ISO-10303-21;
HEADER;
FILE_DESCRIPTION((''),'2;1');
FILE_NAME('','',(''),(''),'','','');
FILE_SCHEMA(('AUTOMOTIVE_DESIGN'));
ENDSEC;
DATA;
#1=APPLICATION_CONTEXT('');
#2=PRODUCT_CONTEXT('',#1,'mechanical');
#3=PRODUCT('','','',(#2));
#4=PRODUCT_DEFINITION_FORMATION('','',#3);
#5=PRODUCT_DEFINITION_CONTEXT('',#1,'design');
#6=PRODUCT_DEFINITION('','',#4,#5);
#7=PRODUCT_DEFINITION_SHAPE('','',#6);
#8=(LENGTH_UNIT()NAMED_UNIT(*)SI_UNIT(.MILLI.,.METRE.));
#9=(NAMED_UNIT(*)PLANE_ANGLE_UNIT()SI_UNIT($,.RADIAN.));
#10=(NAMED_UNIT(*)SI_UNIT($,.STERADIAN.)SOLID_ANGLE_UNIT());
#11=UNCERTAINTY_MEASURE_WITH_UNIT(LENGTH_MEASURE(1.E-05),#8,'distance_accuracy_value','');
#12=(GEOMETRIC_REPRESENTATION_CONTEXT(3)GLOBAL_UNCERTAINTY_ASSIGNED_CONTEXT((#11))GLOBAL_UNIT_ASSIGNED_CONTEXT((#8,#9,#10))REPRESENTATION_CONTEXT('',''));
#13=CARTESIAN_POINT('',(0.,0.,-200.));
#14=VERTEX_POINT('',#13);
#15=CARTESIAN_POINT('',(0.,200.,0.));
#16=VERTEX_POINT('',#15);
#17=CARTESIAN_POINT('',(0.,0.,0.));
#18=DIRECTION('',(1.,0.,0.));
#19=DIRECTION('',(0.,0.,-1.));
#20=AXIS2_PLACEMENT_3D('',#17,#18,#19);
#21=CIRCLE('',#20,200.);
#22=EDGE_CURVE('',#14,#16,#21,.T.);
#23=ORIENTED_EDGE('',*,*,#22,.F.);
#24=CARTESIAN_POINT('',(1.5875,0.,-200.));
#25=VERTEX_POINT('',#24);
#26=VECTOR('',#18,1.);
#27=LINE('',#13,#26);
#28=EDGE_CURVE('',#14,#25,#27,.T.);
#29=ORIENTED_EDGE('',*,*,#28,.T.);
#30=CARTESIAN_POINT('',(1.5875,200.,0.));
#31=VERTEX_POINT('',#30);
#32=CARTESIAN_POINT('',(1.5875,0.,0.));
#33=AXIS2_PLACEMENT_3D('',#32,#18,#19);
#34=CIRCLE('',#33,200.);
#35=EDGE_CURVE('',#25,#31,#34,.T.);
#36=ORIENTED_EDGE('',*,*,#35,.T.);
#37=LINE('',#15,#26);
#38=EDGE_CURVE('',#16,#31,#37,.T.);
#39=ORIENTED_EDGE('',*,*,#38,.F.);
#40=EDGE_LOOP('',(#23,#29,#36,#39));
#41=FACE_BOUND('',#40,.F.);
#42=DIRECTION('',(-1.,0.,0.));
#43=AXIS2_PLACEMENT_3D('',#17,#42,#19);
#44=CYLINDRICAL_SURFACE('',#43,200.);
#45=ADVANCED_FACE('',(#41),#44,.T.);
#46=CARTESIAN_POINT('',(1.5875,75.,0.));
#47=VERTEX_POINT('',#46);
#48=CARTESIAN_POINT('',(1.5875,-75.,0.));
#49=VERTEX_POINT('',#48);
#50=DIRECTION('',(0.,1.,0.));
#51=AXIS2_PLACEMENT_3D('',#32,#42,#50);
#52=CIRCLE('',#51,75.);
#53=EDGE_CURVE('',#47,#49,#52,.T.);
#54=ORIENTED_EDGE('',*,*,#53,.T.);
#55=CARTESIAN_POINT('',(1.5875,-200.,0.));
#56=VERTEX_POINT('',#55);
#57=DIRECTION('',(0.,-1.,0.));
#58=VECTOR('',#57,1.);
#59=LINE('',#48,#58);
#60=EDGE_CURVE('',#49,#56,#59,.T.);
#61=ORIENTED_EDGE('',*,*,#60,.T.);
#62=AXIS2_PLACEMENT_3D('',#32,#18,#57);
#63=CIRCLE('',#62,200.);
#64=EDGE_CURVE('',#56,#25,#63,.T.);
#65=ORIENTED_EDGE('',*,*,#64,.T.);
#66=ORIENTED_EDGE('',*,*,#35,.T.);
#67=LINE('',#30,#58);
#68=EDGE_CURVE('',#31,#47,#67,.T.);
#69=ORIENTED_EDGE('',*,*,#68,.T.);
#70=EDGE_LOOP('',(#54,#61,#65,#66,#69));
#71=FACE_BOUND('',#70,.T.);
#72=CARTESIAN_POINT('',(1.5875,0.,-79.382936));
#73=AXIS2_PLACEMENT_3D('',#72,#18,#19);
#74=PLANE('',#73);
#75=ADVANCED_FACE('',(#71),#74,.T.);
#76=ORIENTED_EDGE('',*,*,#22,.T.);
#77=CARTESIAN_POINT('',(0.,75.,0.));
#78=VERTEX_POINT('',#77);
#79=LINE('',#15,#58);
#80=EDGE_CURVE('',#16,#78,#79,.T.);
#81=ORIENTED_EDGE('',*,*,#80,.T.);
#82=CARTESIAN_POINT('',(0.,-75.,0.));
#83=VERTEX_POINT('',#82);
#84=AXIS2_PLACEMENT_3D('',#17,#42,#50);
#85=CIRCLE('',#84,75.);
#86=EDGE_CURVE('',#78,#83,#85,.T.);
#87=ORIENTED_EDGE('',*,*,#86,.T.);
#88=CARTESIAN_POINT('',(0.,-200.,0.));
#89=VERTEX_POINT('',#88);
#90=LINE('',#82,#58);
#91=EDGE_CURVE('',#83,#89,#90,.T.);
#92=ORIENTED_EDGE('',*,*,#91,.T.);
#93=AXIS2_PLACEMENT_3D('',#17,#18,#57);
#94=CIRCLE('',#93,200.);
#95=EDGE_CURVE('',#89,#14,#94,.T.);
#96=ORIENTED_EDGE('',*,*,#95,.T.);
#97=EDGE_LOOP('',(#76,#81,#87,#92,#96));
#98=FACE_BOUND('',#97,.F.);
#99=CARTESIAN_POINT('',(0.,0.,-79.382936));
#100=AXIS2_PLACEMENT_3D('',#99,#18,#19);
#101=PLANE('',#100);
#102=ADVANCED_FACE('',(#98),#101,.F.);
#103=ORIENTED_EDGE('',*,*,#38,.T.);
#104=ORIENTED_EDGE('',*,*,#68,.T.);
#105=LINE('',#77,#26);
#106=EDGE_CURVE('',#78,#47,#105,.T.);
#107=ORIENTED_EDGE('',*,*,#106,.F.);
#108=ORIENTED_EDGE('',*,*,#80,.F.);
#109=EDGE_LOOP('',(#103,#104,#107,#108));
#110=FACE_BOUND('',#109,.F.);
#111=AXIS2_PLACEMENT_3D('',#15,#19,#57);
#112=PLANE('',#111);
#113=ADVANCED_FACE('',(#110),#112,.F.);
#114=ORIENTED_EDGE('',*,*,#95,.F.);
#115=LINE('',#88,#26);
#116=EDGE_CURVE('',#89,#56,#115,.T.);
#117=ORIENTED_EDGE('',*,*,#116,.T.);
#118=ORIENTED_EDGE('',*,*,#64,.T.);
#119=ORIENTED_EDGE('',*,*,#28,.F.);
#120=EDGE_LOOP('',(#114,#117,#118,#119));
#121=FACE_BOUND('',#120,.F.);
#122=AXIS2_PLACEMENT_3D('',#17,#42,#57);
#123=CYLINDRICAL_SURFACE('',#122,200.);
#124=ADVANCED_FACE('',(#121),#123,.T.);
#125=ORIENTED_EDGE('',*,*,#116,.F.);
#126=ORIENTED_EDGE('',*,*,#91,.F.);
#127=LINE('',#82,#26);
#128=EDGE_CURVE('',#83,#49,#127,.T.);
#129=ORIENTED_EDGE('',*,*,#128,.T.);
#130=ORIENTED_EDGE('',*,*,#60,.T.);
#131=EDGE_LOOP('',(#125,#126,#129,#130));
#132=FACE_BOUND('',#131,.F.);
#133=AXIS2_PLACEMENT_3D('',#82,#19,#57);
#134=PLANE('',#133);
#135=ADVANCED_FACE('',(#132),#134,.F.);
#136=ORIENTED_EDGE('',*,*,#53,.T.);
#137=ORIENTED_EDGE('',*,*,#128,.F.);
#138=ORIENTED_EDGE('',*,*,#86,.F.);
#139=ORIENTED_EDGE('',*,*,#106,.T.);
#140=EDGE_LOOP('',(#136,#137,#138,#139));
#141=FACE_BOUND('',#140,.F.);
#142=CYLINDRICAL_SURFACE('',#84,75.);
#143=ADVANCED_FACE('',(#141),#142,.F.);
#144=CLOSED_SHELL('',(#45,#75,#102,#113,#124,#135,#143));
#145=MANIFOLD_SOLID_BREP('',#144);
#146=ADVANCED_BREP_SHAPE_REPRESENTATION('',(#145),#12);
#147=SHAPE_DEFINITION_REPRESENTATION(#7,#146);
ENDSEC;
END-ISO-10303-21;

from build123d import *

# Parameters (mm, degrees)
BOSS_EXTRUDE1_DEPTH = 1.5875


with BuildPart() as part:
    # Sketch1 → Boss-Extrude1 (new body)
    with BuildSketch(Plane(origin=(0, 0, 0), x_dir=(0, 0, -1), z_dir=(1, 0, 0))):
        with BuildLine():
            ThreePointArc((200, 0), (141.421356237, 141.421356237), (0, 200))
            Line((0, 200), (0, 75))
            ThreePointArc((0, 75), (53.033008589, 53.033008589), (75, 0))
            ThreePointArc((75, 0), (53.033008589, -53.033008589), (0, -75))
            Line((0, -75), (0, -200))
            ThreePointArc((0, -200), (141.421356237, -141.421356237), (200, 0))
        make_face()
    extrude(amount=BOSS_EXTRUDE1_DEPTH)


solid = part.part
